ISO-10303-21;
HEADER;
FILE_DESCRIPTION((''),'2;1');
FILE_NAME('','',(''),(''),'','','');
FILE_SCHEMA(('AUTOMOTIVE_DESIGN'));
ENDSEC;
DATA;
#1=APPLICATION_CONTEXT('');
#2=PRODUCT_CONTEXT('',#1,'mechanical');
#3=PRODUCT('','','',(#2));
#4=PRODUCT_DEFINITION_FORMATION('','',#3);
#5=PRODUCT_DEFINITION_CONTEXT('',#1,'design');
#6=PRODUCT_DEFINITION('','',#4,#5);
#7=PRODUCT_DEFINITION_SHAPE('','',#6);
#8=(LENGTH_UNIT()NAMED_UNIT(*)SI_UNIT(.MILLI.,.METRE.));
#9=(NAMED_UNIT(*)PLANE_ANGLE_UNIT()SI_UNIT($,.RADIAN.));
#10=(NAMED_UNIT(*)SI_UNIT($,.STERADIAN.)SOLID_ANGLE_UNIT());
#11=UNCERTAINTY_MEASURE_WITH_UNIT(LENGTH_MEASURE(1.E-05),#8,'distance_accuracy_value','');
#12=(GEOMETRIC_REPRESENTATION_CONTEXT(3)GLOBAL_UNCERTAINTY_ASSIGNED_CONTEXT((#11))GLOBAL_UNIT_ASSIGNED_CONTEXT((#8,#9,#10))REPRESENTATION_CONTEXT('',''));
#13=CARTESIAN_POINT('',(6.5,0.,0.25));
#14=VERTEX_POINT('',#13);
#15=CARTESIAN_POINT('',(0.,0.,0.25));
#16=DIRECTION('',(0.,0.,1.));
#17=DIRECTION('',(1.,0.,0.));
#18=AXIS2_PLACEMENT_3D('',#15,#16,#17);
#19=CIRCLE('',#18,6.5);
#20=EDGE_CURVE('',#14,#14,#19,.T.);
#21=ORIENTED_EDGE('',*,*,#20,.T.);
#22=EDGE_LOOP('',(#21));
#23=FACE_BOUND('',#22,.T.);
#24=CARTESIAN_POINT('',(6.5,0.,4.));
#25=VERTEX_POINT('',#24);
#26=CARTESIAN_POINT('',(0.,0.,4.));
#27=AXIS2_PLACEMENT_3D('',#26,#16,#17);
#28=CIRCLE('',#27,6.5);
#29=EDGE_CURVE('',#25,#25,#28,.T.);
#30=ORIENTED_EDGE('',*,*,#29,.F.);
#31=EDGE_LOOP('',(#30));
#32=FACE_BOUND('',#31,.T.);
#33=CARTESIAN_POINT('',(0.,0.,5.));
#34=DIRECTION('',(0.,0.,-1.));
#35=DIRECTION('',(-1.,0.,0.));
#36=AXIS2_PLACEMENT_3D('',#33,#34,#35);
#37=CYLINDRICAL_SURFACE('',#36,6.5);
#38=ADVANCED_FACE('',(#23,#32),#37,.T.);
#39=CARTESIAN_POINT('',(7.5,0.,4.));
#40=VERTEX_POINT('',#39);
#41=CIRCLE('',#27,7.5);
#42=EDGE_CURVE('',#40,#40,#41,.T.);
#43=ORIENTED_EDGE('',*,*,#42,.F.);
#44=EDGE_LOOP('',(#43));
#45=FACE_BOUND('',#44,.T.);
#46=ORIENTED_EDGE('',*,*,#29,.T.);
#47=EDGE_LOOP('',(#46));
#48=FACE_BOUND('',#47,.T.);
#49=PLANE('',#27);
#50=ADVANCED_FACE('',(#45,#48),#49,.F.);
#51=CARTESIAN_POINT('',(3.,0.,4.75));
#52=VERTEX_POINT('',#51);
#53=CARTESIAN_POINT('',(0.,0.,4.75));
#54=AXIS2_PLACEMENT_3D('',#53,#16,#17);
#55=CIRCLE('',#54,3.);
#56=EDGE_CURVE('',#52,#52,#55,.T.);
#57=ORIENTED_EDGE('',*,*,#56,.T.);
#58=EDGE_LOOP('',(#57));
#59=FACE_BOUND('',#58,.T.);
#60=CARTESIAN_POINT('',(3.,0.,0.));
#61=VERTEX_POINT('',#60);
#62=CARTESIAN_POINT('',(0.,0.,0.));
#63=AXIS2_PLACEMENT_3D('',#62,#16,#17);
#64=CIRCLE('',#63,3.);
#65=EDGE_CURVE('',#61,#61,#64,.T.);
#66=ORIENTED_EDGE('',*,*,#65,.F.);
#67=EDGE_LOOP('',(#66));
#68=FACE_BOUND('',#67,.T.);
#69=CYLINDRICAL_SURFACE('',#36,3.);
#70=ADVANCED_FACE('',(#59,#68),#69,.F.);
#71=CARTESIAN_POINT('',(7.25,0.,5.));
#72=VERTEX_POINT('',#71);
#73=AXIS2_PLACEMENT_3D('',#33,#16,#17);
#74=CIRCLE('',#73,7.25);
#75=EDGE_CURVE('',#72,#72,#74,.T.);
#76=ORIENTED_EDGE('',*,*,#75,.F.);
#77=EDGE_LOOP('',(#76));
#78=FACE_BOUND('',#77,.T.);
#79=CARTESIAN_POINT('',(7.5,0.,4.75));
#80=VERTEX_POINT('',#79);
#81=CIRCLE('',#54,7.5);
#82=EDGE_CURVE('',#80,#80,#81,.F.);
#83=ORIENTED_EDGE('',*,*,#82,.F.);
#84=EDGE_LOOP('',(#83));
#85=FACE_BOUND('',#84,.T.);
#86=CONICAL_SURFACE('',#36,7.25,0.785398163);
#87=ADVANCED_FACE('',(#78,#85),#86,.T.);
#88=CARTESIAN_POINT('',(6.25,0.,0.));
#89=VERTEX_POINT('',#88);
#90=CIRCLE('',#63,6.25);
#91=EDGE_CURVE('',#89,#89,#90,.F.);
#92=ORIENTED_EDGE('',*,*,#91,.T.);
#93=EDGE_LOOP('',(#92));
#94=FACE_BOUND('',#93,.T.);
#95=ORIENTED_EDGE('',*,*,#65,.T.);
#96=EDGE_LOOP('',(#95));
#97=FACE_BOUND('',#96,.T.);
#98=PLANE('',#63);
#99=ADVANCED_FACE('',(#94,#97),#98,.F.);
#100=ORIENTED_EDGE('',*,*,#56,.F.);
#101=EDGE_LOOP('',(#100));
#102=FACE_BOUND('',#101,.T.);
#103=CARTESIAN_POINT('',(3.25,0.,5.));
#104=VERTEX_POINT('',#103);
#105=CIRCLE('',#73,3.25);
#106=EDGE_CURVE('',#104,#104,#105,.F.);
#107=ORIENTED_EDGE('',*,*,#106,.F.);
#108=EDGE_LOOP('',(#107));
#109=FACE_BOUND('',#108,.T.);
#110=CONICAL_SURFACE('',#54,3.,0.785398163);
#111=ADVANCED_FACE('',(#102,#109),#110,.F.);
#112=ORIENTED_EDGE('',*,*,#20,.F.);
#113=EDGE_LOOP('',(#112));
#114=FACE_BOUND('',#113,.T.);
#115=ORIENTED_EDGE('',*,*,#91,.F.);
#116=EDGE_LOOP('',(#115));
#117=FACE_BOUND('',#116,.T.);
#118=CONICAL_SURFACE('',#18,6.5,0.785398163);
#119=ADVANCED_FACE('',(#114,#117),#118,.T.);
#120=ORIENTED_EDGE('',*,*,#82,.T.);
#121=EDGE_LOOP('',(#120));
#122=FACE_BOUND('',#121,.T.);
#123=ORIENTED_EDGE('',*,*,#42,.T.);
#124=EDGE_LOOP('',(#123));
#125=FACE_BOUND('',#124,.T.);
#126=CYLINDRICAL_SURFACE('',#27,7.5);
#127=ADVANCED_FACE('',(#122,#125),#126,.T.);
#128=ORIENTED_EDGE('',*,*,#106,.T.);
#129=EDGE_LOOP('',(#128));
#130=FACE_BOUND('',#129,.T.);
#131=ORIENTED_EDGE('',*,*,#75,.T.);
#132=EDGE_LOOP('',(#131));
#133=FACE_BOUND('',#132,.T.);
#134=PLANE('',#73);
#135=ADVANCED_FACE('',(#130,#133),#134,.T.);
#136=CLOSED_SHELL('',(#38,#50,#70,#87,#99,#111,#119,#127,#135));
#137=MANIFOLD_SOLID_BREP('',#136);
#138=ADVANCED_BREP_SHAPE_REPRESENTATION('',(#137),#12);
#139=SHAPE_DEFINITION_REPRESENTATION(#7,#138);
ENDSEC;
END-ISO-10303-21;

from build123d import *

# Parameters (mm, degrees)
ESQUISSE1_R        = 6.5
ESQUISSE1_R_2      = 3
BOSS_EXTRU_1_DEPTH = 5
BOSS_EXTRU_2_START = -1
ESQUISSE2_R        = 7.5
ESQUISSE2_R_2      = 3
BOSS_EXTRU_2_DEPTH = 1
CHANFREIN1_SIZE    = 0.25


with BuildPart() as part:
    # Esquisse1 → Boss.-Extru.1 (new body)
    with BuildSketch(Plane.XY):
        Circle(ESQUISSE1_R)
        Circle(ESQUISSE1_R_2, mode=Mode.SUBTRACT)
    extrude(amount=BOSS_EXTRU_1_DEPTH)

    # Esquisse2 → Boss.-Extru.2 (add)
    with BuildSketch(Plane.XY.offset(5).offset(BOSS_EXTRU_2_START)):
        Circle(ESQUISSE2_R)
        Circle(ESQUISSE2_R_2, mode=Mode.SUBTRACT)
    extrude(amount=BOSS_EXTRU_2_DEPTH)

    # Chanfrein1
    chanfrein1_edges = [part.edges().sort_by_distance(p)[0] for p in [
        (-7.5, 0, 5),
        (-6.5, 0, 0),
        (-3, 0, 5),
    ]]
    chamfer(chanfrein1_edges, length=CHANFREIN1_SIZE)


solid = part.part
